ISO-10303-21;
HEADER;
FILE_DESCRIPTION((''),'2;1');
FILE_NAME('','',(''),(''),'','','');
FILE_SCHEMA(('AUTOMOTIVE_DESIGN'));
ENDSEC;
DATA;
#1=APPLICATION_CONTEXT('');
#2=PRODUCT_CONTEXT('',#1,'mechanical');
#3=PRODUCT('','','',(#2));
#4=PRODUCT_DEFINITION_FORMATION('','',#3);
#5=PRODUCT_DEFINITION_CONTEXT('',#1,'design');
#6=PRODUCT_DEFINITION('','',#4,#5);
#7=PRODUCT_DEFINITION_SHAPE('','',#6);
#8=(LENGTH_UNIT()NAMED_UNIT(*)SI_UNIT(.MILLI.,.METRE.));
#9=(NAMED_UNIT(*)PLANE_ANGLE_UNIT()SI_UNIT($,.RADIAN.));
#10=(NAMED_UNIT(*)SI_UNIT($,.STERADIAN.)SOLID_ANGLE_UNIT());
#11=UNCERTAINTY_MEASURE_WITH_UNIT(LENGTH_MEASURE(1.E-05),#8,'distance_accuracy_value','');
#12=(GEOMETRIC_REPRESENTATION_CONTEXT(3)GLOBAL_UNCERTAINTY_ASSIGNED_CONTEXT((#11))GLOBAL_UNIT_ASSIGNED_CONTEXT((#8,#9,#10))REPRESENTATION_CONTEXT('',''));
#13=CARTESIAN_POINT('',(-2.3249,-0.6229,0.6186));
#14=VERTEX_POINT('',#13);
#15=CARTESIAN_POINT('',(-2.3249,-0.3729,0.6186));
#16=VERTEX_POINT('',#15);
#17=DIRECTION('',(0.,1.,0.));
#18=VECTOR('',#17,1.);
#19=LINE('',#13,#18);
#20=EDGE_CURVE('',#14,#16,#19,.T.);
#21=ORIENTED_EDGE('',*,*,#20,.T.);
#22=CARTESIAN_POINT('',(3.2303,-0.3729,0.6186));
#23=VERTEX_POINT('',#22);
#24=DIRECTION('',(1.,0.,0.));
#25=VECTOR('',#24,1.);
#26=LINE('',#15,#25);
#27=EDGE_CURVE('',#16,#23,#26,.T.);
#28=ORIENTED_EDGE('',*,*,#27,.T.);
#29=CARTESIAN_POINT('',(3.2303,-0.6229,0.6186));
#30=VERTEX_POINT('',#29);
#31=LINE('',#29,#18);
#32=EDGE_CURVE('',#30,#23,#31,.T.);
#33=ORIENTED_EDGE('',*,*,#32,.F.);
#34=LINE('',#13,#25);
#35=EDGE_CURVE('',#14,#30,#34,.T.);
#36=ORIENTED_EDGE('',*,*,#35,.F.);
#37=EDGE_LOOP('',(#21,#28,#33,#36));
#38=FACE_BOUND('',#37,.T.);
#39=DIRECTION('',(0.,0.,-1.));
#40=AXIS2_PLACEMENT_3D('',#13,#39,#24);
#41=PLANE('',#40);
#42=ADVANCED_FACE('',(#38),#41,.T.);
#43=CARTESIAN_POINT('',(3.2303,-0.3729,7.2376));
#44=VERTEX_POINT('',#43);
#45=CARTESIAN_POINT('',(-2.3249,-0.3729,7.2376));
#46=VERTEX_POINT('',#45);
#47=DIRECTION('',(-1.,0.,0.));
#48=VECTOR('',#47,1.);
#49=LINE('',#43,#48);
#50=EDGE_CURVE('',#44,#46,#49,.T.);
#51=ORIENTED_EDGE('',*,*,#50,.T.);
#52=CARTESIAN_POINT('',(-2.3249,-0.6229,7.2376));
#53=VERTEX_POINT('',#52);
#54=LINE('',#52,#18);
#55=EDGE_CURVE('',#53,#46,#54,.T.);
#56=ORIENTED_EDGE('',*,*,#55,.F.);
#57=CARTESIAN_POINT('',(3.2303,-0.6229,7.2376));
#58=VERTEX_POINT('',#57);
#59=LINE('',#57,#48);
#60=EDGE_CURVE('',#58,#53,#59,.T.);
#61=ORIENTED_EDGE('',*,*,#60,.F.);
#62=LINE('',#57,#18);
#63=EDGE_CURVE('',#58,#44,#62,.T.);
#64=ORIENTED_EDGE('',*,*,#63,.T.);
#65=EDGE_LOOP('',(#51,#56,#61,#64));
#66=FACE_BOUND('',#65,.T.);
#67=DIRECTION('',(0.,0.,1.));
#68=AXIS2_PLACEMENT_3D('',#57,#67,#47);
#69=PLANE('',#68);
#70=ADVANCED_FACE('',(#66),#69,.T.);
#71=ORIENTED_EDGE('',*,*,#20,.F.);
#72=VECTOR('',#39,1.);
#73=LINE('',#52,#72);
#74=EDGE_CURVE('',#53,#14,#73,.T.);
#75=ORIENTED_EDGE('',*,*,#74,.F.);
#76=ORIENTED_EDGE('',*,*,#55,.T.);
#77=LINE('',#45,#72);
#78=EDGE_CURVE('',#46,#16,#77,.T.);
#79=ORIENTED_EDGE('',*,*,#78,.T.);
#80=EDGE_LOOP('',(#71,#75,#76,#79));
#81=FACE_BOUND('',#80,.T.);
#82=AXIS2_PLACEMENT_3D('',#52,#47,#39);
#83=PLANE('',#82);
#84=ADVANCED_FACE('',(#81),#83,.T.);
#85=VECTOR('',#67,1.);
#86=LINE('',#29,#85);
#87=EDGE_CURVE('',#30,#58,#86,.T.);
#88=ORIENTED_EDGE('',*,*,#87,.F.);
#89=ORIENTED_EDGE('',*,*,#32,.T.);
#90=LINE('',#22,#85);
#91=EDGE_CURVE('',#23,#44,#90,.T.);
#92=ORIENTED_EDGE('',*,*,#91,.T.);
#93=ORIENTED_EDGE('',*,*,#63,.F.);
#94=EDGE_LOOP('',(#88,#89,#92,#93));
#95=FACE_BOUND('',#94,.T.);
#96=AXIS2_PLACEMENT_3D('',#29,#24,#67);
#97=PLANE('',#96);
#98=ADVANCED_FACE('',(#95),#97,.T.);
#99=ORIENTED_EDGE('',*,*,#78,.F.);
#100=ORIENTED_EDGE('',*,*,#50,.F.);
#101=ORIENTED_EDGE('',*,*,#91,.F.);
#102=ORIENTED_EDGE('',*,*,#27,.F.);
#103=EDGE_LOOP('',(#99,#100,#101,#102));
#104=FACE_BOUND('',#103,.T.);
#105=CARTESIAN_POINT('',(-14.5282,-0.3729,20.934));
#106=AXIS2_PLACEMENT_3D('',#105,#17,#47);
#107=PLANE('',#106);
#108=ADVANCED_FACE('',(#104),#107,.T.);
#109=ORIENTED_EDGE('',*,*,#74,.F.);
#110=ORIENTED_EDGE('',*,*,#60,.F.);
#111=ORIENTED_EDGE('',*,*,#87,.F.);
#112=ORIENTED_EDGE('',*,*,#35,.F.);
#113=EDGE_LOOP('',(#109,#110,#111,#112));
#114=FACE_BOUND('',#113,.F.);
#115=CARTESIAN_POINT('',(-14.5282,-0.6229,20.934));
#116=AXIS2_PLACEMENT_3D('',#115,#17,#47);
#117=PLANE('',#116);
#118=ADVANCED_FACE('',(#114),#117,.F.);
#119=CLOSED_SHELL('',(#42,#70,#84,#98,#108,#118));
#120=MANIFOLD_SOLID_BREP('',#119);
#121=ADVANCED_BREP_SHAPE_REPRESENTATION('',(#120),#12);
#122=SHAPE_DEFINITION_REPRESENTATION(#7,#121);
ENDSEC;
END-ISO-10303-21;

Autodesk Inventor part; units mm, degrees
ref_plane "YZ Plane" through (0, 0, 0) normal (1, 0, 0) x (0, 1, 0)
ref_plane "XZ Plane" through (0, 0, 0) normal (0, 1, 0) x (-1, 0, 0)
ref_plane "Work Plane1" through (-14.5282, -0.6229, 20.934) normal (0, 1, 0) x (-1, 0, 0)
sketch "Sketch1" plane through (-14.5282, -0.6229, 20.934) normal (0, 1, 0) x (-1, 0, 0)
  line L0 (-12.2033, -20.3154) -> (-17.7585, -20.3154)
  line L1 (-17.7585, -20.3154) -> (-17.7585, -13.6964)
  line L2 (-17.7585, -13.6964) -> (-12.2033, -13.6964)
  line L3 (-12.2033, -13.6964) -> (-12.2033, -20.3154)
  point P0 (-14.5282, -20.934)
extrude "Extrusion1" add sketch "Sketch1" along normal blind 0.25
sketch "Sketch2" plane through (-14.5282, -0.3729, 20.934) normal (0, 1, 0) x (1, 0, 0)
  line L0 (12.2033, 13.6964) -> (17.7585, 13.6964) construction
  line L1 (17.7585, 13.6964) -> (17.7585, 20.3154) construction
  line L2 (17.7585, 20.3154) -> (12.2033, 20.3154) construction
  line L3 (12.2033, 20.3154) -> (12.2033, 13.6964) construction
  line L4 (17.7585, 13.6964) -> (17.7585, 20.3154) projected
  line L5 (12.2033, 20.3154) -> (12.2033, 13.6964) projected
  line L6 (17.7585, 20.3154) -> (12.2033, 13.6964) construction
  point P0 (14.5282, 20.934)
  point P1 (14.9809, 17.0059)
properties part number "ArmEncoderBoard2"
